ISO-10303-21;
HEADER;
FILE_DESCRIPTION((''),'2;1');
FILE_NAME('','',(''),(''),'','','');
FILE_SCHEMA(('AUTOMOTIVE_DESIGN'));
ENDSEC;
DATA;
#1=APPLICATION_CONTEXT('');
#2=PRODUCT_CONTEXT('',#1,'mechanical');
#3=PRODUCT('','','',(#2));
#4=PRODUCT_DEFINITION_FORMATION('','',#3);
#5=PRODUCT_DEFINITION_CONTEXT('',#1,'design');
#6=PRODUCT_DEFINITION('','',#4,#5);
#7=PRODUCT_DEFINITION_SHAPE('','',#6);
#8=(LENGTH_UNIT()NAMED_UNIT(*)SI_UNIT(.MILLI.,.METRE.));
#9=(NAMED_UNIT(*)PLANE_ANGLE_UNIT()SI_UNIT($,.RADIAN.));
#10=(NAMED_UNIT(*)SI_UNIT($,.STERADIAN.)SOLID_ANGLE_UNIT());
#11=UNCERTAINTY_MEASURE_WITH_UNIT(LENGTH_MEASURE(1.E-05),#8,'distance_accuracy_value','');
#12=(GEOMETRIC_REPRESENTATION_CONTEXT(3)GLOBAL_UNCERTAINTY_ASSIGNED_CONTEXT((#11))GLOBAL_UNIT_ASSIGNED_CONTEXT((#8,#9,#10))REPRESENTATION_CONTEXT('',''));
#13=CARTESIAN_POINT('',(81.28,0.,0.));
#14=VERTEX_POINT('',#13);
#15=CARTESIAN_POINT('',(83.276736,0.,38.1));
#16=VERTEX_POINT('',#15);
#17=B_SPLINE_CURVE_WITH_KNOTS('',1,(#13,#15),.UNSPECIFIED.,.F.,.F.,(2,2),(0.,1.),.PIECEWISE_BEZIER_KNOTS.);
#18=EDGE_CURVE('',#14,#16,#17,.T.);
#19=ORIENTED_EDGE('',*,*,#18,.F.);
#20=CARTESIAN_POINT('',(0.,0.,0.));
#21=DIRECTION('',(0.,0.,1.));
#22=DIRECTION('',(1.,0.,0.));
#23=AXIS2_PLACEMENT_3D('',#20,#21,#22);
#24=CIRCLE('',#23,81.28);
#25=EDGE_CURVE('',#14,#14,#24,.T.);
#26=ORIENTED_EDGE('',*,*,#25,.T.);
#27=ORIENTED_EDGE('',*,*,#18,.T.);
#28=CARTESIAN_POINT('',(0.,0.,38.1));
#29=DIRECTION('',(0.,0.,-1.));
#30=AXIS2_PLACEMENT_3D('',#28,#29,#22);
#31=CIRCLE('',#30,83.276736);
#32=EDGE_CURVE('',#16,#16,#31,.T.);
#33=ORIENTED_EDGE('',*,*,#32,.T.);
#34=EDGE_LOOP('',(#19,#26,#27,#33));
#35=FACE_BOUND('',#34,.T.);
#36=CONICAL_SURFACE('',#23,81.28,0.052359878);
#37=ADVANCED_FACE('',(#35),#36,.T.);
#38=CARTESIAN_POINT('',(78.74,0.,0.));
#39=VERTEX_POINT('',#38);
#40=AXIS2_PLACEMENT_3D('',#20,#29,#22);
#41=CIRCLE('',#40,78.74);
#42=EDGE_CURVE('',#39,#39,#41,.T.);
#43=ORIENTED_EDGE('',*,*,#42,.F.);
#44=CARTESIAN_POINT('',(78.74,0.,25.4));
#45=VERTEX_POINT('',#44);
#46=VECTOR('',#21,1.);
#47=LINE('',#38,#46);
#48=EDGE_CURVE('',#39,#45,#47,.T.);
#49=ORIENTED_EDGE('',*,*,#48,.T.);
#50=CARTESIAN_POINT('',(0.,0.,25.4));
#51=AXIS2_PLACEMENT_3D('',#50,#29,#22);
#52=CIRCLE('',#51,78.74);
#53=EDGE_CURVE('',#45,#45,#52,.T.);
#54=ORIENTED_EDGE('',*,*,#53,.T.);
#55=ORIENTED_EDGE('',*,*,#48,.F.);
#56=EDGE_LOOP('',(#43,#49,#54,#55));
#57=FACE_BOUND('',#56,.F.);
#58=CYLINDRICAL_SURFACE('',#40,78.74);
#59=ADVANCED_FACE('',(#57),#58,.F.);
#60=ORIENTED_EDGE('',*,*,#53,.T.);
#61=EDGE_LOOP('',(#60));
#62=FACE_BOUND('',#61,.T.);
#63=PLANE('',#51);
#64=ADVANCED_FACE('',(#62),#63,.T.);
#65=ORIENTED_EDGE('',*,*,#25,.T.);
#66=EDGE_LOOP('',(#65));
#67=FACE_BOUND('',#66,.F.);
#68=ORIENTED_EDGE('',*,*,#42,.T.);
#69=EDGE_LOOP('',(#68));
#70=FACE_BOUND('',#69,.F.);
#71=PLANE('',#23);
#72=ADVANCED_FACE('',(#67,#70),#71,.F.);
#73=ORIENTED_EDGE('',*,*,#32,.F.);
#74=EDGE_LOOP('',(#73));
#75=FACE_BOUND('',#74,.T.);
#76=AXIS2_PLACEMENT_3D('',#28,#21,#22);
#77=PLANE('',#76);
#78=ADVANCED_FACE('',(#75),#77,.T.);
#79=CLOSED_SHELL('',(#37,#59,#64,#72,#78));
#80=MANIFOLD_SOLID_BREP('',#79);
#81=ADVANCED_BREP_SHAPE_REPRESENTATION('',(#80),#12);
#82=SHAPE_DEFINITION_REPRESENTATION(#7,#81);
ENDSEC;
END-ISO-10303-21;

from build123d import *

# Parameters (mm, degrees)
F0_R     = 81.28
F1_DEPTH = 38.1
F1_TAPER = -3
F2_R     = 78.74
F3_DEPTH = 25.4


with BuildPart() as f1:
    # F0 (on Top) → F1 (new body)
    with BuildSketch(Plane.XY):
        Circle(F0_R)
    extrude(amount=F1_DEPTH, taper=F1_TAPER)

    # F2 (on face) → F3 (cut)
    with BuildSketch(Plane(origin=(0, 0, 0), x_dir=(1, 0, 0), z_dir=(0, 0, -1))):
        Circle(F2_R)
    extrude(amount=-F3_DEPTH, mode=Mode.SUBTRACT)


solid = f1.part
